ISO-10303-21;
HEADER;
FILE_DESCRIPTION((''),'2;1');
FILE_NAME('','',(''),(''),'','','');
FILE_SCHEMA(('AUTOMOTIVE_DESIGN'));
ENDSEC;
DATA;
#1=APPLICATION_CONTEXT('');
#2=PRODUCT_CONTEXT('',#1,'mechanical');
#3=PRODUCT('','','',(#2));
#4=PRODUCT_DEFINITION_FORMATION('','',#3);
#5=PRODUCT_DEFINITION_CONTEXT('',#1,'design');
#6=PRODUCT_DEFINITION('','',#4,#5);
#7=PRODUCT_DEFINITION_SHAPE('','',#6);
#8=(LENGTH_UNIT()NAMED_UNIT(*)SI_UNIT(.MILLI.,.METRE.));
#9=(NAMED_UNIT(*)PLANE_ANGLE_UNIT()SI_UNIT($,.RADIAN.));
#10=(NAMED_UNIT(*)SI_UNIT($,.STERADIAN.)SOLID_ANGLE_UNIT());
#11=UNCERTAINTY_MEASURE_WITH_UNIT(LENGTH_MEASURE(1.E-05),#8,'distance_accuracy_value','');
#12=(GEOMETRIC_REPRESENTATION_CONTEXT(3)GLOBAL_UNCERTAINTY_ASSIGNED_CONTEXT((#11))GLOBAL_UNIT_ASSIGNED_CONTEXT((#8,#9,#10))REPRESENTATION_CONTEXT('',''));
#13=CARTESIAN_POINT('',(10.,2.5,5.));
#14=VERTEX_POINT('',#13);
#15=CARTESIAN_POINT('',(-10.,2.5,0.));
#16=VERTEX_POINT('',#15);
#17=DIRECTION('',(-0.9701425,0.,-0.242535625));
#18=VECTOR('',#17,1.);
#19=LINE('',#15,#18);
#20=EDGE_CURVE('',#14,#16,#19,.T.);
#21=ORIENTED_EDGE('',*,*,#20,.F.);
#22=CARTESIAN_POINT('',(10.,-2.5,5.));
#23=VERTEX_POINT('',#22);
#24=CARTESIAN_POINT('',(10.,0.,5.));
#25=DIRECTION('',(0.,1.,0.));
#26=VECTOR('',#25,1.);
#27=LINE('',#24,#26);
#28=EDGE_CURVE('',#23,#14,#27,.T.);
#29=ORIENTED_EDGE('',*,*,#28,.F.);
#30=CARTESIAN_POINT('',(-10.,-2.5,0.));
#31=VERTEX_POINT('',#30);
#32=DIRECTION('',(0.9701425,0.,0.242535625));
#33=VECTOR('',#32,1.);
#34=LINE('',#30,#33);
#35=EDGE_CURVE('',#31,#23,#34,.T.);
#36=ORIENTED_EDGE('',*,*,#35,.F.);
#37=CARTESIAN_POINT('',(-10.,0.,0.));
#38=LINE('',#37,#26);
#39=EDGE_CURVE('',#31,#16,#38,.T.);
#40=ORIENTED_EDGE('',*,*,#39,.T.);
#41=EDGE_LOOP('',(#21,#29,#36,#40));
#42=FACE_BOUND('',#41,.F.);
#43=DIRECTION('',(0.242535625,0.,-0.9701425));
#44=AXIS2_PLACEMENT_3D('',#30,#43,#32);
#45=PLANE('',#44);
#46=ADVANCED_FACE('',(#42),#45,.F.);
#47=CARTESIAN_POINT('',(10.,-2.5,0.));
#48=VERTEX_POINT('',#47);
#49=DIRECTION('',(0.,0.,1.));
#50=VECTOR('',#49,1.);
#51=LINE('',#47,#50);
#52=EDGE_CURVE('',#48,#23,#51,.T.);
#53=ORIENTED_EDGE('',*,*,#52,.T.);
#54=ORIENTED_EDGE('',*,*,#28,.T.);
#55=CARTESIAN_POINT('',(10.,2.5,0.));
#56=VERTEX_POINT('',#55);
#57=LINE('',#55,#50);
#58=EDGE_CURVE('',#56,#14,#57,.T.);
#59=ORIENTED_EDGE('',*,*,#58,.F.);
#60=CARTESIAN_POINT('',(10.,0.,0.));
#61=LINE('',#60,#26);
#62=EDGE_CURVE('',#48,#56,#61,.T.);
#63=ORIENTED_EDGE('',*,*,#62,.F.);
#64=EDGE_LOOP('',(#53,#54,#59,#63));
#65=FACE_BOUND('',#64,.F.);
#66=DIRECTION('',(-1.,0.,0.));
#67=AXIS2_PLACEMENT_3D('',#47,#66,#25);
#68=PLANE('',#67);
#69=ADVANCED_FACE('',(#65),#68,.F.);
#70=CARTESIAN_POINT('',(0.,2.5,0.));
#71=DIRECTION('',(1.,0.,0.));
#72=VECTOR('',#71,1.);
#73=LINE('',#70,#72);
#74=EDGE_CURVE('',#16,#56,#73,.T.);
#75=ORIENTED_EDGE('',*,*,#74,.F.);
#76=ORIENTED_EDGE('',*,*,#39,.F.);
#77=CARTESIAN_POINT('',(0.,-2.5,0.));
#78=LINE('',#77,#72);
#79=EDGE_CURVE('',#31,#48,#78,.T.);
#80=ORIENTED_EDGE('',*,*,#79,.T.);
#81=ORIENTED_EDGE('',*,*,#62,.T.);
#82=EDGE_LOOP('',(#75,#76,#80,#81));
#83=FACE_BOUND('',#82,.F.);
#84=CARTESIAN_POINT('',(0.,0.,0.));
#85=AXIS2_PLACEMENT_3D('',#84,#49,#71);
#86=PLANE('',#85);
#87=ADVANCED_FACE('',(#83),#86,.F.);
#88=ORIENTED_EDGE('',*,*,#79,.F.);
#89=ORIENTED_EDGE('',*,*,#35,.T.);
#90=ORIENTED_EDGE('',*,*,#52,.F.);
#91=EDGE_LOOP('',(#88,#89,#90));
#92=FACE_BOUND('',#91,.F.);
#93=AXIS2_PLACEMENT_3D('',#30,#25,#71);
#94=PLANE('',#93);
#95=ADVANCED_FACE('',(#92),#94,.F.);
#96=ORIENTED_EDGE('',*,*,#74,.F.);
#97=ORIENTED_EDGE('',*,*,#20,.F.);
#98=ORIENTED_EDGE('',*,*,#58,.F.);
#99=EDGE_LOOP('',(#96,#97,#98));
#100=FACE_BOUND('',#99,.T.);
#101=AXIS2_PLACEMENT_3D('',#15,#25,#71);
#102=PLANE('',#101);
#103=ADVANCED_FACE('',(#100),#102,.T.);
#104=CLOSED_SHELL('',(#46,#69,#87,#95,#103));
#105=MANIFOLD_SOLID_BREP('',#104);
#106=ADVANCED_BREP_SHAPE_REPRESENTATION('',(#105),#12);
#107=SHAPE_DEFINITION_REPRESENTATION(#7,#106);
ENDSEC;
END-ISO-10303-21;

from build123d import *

# Parameters (mm, degrees)
F0_W     = 20
F0_H     = 5
F1_DEPTH = 5
F3_DEPTH = 25


with BuildPart() as f1:
    # F0 (on Top) → F1 (new body)
    with BuildSketch(Plane.XY):
        Rectangle(F0_W, F0_H)
    extrude(amount=F1_DEPTH)

    # F2 (on face) → F3 (cut)
    with BuildSketch(Plane.XZ.offset(2.5)):
        Polygon((-10, 5), (-10, 0), (10, 5), align=None)
    extrude(amount=-F3_DEPTH, mode=Mode.SUBTRACT)


solid = f1.part
